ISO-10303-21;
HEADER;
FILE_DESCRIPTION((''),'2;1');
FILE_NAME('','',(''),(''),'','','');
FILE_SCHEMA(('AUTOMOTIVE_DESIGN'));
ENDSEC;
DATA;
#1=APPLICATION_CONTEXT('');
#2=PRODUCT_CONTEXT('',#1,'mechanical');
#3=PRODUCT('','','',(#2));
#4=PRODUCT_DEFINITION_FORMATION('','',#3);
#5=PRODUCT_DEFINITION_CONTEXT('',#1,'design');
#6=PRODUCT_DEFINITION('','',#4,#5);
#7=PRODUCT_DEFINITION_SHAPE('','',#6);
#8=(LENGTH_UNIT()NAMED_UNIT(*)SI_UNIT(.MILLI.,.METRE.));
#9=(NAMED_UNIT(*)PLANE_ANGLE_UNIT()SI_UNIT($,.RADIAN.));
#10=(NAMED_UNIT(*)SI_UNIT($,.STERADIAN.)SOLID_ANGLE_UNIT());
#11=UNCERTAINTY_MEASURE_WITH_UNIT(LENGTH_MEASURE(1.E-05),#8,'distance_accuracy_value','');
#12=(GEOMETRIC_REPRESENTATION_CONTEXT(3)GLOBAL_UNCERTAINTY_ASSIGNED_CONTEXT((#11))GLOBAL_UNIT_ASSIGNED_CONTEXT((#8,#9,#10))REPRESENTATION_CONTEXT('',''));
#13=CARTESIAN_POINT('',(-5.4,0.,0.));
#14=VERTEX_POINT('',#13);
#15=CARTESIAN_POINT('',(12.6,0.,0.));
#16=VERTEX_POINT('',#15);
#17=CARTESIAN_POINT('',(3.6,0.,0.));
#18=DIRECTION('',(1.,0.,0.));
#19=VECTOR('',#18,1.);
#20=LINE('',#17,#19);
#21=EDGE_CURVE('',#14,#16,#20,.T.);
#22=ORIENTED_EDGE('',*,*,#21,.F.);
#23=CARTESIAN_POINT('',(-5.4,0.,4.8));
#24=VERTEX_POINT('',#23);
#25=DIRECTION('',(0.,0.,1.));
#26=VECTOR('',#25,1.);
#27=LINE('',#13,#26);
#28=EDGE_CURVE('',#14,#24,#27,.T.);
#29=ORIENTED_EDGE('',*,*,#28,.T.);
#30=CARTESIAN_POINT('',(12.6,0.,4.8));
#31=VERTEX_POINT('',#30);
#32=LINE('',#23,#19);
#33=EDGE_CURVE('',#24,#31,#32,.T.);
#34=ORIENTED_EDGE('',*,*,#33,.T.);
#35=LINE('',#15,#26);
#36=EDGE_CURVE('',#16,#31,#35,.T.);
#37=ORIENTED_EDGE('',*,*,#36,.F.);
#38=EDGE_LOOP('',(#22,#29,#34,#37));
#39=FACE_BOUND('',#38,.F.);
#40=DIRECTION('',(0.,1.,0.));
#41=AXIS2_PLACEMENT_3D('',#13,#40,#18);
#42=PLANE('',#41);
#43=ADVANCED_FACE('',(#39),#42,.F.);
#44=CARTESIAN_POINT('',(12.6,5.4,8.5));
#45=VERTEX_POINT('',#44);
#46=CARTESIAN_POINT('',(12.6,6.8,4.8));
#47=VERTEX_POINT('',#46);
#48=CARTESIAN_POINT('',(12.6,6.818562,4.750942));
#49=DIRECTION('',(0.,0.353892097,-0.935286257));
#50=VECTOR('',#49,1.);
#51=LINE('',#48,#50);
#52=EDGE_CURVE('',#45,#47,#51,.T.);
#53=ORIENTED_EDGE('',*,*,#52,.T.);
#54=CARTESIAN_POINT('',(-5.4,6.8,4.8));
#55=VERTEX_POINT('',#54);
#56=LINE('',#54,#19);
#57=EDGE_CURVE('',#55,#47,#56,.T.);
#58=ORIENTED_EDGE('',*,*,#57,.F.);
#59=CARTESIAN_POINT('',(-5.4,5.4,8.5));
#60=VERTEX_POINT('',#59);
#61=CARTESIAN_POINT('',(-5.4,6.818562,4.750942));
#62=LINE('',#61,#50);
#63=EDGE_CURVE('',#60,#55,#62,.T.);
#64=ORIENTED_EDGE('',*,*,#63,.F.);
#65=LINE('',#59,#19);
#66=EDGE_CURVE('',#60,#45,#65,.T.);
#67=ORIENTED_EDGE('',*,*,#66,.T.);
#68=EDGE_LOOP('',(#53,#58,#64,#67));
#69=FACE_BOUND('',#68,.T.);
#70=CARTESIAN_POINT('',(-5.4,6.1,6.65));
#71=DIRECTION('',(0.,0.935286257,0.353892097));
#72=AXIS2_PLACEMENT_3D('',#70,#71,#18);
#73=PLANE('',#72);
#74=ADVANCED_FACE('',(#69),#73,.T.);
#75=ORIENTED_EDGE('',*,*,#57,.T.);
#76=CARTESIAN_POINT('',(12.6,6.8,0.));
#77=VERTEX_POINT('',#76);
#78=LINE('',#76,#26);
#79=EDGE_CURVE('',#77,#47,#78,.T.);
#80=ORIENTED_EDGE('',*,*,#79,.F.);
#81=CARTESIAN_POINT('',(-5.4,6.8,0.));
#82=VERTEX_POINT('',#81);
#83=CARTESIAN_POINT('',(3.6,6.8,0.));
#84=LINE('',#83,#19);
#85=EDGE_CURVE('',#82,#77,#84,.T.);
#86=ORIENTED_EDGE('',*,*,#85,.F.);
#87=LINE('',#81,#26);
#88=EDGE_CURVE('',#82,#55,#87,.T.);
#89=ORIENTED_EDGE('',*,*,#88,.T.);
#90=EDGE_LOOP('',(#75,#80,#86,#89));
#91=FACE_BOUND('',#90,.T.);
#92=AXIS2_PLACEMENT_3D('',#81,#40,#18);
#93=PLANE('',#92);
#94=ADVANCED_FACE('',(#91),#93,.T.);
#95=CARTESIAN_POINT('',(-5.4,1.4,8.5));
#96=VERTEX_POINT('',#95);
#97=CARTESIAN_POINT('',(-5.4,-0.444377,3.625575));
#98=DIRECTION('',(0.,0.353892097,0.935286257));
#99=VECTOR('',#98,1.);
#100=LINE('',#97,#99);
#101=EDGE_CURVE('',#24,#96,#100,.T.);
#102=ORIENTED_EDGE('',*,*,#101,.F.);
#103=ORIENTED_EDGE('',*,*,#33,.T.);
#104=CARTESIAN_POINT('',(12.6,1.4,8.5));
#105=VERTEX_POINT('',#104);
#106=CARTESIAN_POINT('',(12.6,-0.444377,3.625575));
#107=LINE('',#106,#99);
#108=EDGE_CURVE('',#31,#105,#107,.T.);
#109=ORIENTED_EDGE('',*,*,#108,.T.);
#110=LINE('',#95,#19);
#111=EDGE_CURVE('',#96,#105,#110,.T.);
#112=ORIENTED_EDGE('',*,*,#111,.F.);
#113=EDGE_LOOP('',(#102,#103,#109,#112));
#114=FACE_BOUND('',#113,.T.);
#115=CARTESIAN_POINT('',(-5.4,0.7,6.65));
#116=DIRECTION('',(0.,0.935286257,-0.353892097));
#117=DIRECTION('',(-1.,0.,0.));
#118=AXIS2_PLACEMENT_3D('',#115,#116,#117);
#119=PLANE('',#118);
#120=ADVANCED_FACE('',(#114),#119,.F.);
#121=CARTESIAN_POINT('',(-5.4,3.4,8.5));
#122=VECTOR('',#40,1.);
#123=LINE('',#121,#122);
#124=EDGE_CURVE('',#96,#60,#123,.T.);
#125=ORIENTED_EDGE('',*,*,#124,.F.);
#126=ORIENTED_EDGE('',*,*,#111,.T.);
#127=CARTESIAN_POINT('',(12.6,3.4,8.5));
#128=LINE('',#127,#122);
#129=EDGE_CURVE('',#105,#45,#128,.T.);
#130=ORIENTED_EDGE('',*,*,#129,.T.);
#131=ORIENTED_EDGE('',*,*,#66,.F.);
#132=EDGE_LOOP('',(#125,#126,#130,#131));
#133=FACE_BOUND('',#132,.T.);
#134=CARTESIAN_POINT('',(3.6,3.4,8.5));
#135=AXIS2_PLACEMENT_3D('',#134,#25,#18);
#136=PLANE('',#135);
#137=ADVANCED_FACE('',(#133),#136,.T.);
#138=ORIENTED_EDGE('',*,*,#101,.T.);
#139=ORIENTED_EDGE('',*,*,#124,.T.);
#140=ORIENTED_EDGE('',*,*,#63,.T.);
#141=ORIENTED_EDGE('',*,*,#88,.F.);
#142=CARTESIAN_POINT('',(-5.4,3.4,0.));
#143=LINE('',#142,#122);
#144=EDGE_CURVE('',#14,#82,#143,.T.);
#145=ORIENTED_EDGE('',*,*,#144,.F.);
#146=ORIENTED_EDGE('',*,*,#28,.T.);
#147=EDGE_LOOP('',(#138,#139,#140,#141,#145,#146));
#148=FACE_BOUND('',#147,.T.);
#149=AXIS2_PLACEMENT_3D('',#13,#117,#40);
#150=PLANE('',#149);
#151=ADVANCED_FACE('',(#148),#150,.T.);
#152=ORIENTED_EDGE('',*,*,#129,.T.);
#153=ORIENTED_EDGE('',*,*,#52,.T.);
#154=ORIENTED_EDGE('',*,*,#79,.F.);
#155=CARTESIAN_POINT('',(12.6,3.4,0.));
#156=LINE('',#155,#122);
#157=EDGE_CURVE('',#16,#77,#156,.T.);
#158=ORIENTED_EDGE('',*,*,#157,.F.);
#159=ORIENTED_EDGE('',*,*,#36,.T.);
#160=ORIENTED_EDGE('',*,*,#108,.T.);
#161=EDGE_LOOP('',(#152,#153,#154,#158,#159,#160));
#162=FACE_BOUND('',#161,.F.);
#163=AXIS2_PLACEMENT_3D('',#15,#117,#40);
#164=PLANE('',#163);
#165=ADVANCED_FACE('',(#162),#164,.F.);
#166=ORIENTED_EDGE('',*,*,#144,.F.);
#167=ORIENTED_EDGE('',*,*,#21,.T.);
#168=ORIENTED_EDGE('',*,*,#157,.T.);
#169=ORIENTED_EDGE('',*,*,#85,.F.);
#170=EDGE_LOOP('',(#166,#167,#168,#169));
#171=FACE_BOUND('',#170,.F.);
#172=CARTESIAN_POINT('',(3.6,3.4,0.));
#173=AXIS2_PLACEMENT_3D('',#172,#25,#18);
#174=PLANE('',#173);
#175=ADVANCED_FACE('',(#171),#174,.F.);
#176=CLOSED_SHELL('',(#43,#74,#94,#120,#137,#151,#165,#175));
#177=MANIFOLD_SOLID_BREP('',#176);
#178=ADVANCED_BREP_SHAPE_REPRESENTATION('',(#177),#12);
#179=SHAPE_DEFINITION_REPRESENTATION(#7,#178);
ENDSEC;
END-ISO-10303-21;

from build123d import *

# Parameters (mm, degrees)
SKETCH013_W      = 18
SKETCH013_H      = 6.8
PAD017_DEPTH     = 8.5
CHAMFER_SIZE2    = 1.4
CHAMFER_SIZE     = 3.7
CHAMFER001_SIZE2 = 3.7
CHAMFER001_SIZE  = 1.4


with BuildPart() as part:
    # Sketch013 → Pad017 (new body)
    with BuildSketch(Plane.XY):
        with Locations((30.3, 3.4)):
            Rectangle(SKETCH013_W, SKETCH013_H)
    extrude(amount=PAD017_DEPTH)

    # Chamfer
    chamfer_edges = [part.edges().sort_by_distance(p)[0] for p in [
        (30.3, 0, 8.5),
    ]]
    chamfer_side = part.faces().sort_by_distance((30.3, 0, 4.25))[0]
    chamfer(chamfer_edges, length=CHAMFER_SIZE, length2=CHAMFER_SIZE2, reference=chamfer_side)

    # Chamfer001
    chamfer001_edges = [part.edges().sort_by_distance(p)[0] for p in [
        (30.3, 6.8, 8.5),
    ]]
    chamfer001_side = part.faces().sort_by_distance((30.3, 4.1, 8.5))[0]
    chamfer(chamfer001_edges, length=CHAMFER001_SIZE, length2=CHAMFER001_SIZE2, reference=chamfer001_side)


with BuildPart() as part_1:
    # Body023 placement: moved
    add(part.part.moved(Location((-26.7, 0, 0))))


solid = part_1.part
